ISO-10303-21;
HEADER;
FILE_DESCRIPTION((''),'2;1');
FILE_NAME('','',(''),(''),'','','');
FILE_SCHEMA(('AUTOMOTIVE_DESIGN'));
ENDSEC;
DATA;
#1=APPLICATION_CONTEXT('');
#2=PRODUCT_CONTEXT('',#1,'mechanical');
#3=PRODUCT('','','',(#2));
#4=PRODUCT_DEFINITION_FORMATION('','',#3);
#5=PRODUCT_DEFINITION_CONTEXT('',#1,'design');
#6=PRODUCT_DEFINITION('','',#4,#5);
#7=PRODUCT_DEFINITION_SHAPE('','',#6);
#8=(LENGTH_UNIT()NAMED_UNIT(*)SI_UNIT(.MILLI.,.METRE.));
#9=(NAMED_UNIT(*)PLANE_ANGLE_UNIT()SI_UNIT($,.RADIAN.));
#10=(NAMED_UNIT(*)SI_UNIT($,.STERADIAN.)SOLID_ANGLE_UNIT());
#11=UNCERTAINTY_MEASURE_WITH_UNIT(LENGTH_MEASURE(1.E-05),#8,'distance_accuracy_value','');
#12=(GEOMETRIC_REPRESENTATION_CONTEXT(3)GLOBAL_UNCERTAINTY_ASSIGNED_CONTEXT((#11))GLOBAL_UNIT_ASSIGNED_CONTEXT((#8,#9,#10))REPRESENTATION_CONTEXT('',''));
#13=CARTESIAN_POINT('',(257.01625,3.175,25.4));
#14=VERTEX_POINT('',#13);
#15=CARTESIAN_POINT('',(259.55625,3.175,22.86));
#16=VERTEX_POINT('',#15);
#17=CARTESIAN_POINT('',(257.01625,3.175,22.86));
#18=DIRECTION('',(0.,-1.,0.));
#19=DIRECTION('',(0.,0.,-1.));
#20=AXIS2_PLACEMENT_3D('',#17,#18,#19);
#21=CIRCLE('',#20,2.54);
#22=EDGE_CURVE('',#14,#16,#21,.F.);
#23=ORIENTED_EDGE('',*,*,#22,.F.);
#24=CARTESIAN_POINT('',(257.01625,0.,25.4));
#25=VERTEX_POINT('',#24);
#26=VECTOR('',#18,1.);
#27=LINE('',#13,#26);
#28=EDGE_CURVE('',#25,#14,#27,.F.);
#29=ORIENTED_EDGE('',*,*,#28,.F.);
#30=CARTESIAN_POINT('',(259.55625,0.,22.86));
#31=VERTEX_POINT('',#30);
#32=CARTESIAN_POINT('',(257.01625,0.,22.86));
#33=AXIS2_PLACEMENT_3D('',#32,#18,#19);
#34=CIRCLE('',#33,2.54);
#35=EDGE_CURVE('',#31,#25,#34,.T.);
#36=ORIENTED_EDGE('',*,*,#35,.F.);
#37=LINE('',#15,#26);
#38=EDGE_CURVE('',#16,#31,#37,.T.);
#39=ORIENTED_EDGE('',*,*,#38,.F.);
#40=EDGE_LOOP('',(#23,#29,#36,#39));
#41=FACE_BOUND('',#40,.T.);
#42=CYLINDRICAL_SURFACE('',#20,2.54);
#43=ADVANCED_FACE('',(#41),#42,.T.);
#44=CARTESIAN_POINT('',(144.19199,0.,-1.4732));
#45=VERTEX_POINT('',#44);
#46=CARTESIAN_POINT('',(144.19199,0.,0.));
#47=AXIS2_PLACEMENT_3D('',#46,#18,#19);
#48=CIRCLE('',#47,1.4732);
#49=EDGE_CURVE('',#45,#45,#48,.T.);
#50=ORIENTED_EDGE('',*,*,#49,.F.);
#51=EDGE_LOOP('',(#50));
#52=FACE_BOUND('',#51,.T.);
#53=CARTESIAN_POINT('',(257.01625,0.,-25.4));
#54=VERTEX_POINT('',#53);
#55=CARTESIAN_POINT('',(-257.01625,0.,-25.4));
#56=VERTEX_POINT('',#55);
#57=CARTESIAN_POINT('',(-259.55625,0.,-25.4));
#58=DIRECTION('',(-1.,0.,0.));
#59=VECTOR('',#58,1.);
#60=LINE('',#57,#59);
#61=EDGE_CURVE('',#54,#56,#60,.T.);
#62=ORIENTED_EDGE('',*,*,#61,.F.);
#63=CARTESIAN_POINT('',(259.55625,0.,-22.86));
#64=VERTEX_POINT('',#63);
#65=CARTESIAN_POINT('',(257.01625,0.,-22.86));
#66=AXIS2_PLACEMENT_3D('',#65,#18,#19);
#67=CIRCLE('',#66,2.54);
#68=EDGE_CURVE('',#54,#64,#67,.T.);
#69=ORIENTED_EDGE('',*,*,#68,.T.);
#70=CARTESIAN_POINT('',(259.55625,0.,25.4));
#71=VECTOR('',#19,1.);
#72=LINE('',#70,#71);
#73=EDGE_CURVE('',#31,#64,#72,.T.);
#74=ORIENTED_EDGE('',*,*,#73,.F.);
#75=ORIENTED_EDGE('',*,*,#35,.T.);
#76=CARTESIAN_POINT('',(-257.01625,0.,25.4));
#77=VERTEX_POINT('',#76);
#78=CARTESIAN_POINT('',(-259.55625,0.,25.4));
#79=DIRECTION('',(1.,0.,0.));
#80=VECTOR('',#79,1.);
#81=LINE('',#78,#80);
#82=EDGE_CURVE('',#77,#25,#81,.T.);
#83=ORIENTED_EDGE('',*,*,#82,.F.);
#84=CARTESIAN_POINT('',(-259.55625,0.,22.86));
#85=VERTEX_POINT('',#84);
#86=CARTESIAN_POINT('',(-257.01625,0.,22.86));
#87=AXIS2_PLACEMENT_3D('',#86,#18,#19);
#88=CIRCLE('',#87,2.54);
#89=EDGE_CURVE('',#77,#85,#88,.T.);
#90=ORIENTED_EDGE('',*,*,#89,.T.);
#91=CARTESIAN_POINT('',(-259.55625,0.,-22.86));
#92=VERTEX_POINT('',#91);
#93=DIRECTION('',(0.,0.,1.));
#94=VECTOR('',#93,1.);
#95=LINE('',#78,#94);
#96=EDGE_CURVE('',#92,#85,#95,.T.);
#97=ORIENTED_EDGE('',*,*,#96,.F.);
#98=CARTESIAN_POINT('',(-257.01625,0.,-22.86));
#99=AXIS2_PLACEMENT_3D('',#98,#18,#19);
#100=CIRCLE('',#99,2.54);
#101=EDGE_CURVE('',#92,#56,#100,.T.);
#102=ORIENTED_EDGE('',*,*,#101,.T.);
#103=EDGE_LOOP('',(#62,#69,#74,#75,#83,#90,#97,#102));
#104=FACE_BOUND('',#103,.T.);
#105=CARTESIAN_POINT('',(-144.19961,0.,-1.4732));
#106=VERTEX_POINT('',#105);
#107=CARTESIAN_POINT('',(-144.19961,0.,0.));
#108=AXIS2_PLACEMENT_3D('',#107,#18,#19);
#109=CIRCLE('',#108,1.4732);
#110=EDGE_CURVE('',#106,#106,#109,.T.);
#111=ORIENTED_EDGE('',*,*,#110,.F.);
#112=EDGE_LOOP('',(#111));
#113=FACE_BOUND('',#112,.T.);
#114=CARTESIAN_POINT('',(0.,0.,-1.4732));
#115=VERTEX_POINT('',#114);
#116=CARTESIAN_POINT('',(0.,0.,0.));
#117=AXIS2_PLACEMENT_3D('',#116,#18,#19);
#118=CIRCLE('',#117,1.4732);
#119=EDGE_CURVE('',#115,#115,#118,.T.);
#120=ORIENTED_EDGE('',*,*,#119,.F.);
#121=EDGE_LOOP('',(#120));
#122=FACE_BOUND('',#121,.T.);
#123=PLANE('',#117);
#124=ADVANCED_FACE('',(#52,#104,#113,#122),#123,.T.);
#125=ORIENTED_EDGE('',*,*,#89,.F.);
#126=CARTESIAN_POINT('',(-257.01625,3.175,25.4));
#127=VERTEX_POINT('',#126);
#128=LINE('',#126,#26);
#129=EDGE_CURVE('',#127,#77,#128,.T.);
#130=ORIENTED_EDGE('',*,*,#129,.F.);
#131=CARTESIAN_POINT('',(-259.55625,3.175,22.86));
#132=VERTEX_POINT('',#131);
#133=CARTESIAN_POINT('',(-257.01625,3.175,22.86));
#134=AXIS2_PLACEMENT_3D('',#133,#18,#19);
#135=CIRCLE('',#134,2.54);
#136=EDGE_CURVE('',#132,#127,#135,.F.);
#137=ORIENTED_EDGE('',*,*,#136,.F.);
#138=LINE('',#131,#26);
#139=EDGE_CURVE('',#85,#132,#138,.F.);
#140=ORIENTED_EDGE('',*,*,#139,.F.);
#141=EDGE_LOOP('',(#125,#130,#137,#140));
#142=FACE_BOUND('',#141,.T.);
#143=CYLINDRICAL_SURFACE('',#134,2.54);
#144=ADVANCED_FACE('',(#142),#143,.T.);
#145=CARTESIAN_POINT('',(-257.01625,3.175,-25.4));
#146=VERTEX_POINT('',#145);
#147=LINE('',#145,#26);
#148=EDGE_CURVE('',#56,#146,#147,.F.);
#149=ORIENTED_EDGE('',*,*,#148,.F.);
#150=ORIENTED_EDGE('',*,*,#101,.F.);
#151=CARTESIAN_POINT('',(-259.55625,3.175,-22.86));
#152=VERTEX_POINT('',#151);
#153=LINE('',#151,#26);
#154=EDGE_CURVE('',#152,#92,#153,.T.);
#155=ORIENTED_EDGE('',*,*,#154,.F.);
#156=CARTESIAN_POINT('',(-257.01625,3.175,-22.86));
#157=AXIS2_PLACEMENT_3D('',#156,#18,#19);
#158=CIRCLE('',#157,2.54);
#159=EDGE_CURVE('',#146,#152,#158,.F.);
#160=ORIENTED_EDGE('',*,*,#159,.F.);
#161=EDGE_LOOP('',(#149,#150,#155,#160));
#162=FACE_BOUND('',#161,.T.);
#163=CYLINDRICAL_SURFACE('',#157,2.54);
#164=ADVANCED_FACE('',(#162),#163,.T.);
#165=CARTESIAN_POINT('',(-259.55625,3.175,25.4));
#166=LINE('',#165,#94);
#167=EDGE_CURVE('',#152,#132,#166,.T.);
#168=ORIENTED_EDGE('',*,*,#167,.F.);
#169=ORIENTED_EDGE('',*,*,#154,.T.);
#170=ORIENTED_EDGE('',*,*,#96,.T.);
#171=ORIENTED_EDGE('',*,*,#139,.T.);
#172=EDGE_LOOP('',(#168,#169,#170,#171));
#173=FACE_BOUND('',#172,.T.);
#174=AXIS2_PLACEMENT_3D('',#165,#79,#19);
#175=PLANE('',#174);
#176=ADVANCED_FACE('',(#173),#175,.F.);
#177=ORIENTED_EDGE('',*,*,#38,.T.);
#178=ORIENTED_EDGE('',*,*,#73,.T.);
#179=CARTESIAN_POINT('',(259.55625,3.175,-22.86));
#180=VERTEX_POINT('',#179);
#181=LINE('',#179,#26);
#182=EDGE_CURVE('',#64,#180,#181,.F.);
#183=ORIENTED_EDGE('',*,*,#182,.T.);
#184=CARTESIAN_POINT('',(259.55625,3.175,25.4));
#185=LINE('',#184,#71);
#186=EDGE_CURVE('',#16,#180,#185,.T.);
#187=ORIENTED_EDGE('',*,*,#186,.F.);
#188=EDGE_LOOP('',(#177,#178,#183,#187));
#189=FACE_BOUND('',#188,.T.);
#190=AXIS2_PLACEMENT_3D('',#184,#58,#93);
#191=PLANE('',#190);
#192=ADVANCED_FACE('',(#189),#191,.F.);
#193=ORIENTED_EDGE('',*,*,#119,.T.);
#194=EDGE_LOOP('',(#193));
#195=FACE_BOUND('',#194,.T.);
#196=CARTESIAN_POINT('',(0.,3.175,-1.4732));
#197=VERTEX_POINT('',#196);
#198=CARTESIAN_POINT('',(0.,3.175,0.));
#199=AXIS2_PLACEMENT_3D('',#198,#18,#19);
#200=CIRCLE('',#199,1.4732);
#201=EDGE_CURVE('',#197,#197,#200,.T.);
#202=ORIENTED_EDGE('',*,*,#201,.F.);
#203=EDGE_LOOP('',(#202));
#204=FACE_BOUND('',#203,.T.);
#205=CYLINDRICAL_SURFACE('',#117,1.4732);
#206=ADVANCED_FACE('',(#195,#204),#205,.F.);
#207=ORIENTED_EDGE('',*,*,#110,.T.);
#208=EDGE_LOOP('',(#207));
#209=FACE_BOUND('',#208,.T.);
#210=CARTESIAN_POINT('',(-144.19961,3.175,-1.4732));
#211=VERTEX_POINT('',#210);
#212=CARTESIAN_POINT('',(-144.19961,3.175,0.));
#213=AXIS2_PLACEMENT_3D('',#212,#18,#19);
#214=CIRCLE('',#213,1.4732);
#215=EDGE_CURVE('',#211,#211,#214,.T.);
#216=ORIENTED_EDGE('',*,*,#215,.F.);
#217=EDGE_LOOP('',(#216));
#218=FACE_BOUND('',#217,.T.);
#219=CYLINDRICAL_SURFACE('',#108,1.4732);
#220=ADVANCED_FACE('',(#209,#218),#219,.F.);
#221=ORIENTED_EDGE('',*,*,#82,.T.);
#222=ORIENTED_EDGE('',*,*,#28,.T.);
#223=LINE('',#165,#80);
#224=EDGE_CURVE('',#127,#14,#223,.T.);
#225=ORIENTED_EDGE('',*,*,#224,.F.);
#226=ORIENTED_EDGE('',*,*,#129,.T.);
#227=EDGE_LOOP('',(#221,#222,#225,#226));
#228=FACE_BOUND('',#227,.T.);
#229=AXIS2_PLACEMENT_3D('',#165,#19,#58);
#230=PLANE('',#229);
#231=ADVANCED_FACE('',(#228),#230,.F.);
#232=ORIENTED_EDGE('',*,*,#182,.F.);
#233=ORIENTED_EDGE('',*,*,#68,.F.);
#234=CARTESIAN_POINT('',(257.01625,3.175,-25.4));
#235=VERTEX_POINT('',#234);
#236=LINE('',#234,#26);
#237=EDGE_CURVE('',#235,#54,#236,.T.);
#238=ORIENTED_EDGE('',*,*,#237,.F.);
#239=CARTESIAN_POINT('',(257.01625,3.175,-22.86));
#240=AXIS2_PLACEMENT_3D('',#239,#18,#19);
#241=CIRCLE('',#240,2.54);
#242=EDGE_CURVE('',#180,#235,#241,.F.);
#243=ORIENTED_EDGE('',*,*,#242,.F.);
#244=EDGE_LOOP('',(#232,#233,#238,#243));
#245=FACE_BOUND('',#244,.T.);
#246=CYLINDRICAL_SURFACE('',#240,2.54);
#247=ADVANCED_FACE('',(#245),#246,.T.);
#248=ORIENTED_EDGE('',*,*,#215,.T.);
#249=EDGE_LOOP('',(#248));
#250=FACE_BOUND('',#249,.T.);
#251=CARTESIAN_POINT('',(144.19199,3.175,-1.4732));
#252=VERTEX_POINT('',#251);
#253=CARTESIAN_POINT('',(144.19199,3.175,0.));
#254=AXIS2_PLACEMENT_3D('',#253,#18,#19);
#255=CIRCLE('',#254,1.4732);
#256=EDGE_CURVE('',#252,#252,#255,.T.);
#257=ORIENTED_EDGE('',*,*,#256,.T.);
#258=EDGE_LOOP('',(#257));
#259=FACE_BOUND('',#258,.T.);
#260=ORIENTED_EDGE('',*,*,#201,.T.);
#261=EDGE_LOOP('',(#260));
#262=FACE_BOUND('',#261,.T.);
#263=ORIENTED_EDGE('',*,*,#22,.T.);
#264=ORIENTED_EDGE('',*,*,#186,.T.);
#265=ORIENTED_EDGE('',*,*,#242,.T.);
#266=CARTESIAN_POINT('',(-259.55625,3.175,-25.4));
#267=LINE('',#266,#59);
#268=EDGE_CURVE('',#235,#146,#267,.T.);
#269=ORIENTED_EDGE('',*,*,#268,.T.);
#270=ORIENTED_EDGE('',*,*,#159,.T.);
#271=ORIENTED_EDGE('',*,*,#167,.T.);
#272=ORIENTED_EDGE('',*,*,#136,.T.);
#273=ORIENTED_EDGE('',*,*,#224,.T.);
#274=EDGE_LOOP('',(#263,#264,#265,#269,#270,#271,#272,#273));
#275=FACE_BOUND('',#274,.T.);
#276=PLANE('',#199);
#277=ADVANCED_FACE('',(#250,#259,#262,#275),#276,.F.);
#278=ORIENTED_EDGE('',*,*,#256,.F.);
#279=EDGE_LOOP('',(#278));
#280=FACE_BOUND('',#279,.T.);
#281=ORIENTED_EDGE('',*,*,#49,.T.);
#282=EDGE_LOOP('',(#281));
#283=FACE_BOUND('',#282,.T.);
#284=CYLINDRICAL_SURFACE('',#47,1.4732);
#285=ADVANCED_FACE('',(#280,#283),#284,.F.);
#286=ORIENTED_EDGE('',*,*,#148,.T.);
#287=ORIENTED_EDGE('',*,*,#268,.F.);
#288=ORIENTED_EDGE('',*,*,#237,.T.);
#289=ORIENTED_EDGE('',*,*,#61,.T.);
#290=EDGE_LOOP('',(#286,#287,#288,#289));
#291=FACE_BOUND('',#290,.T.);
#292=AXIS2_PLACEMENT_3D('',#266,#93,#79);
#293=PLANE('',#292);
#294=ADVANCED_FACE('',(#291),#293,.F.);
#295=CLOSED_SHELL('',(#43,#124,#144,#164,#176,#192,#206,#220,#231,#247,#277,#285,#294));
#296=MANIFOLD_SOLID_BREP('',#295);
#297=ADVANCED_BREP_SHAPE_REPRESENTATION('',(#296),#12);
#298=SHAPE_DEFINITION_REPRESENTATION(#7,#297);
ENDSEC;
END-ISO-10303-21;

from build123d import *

# Parameters (mm, degrees)
SKETCH1_W             = 519.1125
SKETCH1_H             = 50.8
BOSS_EXTRUDE1_DEPTH   = 3.175
FILLET1_R             = 2.54
F_4_CLEARANCE_HOLE1_D = 2.9464


with BuildPart() as part:
    # Sketch1 → Boss-Extrude1 (new body)
    with BuildSketch(Plane(origin=(0, 0, 0), x_dir=(1, 0, 0), z_dir=(0, 1, 0))):
        Rectangle(SKETCH1_W, SKETCH1_H)
    extrude(amount=BOSS_EXTRUDE1_DEPTH)

    # Fillet1
    fillet1_edges = [part.edges().sort_by_distance(p)[0] for p in [
        (259.55625, 1.5875, 25.4),
        (-259.55625, 1.5875, 25.4),
        (-259.55625, 1.5875, -25.4),
        (259.55625, 1.5875, -25.4),
    ]]
    fillet(fillet1_edges, radius=FILLET1_R)

    # #4 Clearance Hole1 (through all)
    with Locations(Plane(origin=(0, 0, 0), x_dir=(-1, 0, 0), z_dir=(0, -1, 0))):
        with Locations((-144.19199, 0), (0, 0), (144.19961, 0)):
            Hole(F_4_CLEARANCE_HOLE1_D / 2)


solid = part.part
